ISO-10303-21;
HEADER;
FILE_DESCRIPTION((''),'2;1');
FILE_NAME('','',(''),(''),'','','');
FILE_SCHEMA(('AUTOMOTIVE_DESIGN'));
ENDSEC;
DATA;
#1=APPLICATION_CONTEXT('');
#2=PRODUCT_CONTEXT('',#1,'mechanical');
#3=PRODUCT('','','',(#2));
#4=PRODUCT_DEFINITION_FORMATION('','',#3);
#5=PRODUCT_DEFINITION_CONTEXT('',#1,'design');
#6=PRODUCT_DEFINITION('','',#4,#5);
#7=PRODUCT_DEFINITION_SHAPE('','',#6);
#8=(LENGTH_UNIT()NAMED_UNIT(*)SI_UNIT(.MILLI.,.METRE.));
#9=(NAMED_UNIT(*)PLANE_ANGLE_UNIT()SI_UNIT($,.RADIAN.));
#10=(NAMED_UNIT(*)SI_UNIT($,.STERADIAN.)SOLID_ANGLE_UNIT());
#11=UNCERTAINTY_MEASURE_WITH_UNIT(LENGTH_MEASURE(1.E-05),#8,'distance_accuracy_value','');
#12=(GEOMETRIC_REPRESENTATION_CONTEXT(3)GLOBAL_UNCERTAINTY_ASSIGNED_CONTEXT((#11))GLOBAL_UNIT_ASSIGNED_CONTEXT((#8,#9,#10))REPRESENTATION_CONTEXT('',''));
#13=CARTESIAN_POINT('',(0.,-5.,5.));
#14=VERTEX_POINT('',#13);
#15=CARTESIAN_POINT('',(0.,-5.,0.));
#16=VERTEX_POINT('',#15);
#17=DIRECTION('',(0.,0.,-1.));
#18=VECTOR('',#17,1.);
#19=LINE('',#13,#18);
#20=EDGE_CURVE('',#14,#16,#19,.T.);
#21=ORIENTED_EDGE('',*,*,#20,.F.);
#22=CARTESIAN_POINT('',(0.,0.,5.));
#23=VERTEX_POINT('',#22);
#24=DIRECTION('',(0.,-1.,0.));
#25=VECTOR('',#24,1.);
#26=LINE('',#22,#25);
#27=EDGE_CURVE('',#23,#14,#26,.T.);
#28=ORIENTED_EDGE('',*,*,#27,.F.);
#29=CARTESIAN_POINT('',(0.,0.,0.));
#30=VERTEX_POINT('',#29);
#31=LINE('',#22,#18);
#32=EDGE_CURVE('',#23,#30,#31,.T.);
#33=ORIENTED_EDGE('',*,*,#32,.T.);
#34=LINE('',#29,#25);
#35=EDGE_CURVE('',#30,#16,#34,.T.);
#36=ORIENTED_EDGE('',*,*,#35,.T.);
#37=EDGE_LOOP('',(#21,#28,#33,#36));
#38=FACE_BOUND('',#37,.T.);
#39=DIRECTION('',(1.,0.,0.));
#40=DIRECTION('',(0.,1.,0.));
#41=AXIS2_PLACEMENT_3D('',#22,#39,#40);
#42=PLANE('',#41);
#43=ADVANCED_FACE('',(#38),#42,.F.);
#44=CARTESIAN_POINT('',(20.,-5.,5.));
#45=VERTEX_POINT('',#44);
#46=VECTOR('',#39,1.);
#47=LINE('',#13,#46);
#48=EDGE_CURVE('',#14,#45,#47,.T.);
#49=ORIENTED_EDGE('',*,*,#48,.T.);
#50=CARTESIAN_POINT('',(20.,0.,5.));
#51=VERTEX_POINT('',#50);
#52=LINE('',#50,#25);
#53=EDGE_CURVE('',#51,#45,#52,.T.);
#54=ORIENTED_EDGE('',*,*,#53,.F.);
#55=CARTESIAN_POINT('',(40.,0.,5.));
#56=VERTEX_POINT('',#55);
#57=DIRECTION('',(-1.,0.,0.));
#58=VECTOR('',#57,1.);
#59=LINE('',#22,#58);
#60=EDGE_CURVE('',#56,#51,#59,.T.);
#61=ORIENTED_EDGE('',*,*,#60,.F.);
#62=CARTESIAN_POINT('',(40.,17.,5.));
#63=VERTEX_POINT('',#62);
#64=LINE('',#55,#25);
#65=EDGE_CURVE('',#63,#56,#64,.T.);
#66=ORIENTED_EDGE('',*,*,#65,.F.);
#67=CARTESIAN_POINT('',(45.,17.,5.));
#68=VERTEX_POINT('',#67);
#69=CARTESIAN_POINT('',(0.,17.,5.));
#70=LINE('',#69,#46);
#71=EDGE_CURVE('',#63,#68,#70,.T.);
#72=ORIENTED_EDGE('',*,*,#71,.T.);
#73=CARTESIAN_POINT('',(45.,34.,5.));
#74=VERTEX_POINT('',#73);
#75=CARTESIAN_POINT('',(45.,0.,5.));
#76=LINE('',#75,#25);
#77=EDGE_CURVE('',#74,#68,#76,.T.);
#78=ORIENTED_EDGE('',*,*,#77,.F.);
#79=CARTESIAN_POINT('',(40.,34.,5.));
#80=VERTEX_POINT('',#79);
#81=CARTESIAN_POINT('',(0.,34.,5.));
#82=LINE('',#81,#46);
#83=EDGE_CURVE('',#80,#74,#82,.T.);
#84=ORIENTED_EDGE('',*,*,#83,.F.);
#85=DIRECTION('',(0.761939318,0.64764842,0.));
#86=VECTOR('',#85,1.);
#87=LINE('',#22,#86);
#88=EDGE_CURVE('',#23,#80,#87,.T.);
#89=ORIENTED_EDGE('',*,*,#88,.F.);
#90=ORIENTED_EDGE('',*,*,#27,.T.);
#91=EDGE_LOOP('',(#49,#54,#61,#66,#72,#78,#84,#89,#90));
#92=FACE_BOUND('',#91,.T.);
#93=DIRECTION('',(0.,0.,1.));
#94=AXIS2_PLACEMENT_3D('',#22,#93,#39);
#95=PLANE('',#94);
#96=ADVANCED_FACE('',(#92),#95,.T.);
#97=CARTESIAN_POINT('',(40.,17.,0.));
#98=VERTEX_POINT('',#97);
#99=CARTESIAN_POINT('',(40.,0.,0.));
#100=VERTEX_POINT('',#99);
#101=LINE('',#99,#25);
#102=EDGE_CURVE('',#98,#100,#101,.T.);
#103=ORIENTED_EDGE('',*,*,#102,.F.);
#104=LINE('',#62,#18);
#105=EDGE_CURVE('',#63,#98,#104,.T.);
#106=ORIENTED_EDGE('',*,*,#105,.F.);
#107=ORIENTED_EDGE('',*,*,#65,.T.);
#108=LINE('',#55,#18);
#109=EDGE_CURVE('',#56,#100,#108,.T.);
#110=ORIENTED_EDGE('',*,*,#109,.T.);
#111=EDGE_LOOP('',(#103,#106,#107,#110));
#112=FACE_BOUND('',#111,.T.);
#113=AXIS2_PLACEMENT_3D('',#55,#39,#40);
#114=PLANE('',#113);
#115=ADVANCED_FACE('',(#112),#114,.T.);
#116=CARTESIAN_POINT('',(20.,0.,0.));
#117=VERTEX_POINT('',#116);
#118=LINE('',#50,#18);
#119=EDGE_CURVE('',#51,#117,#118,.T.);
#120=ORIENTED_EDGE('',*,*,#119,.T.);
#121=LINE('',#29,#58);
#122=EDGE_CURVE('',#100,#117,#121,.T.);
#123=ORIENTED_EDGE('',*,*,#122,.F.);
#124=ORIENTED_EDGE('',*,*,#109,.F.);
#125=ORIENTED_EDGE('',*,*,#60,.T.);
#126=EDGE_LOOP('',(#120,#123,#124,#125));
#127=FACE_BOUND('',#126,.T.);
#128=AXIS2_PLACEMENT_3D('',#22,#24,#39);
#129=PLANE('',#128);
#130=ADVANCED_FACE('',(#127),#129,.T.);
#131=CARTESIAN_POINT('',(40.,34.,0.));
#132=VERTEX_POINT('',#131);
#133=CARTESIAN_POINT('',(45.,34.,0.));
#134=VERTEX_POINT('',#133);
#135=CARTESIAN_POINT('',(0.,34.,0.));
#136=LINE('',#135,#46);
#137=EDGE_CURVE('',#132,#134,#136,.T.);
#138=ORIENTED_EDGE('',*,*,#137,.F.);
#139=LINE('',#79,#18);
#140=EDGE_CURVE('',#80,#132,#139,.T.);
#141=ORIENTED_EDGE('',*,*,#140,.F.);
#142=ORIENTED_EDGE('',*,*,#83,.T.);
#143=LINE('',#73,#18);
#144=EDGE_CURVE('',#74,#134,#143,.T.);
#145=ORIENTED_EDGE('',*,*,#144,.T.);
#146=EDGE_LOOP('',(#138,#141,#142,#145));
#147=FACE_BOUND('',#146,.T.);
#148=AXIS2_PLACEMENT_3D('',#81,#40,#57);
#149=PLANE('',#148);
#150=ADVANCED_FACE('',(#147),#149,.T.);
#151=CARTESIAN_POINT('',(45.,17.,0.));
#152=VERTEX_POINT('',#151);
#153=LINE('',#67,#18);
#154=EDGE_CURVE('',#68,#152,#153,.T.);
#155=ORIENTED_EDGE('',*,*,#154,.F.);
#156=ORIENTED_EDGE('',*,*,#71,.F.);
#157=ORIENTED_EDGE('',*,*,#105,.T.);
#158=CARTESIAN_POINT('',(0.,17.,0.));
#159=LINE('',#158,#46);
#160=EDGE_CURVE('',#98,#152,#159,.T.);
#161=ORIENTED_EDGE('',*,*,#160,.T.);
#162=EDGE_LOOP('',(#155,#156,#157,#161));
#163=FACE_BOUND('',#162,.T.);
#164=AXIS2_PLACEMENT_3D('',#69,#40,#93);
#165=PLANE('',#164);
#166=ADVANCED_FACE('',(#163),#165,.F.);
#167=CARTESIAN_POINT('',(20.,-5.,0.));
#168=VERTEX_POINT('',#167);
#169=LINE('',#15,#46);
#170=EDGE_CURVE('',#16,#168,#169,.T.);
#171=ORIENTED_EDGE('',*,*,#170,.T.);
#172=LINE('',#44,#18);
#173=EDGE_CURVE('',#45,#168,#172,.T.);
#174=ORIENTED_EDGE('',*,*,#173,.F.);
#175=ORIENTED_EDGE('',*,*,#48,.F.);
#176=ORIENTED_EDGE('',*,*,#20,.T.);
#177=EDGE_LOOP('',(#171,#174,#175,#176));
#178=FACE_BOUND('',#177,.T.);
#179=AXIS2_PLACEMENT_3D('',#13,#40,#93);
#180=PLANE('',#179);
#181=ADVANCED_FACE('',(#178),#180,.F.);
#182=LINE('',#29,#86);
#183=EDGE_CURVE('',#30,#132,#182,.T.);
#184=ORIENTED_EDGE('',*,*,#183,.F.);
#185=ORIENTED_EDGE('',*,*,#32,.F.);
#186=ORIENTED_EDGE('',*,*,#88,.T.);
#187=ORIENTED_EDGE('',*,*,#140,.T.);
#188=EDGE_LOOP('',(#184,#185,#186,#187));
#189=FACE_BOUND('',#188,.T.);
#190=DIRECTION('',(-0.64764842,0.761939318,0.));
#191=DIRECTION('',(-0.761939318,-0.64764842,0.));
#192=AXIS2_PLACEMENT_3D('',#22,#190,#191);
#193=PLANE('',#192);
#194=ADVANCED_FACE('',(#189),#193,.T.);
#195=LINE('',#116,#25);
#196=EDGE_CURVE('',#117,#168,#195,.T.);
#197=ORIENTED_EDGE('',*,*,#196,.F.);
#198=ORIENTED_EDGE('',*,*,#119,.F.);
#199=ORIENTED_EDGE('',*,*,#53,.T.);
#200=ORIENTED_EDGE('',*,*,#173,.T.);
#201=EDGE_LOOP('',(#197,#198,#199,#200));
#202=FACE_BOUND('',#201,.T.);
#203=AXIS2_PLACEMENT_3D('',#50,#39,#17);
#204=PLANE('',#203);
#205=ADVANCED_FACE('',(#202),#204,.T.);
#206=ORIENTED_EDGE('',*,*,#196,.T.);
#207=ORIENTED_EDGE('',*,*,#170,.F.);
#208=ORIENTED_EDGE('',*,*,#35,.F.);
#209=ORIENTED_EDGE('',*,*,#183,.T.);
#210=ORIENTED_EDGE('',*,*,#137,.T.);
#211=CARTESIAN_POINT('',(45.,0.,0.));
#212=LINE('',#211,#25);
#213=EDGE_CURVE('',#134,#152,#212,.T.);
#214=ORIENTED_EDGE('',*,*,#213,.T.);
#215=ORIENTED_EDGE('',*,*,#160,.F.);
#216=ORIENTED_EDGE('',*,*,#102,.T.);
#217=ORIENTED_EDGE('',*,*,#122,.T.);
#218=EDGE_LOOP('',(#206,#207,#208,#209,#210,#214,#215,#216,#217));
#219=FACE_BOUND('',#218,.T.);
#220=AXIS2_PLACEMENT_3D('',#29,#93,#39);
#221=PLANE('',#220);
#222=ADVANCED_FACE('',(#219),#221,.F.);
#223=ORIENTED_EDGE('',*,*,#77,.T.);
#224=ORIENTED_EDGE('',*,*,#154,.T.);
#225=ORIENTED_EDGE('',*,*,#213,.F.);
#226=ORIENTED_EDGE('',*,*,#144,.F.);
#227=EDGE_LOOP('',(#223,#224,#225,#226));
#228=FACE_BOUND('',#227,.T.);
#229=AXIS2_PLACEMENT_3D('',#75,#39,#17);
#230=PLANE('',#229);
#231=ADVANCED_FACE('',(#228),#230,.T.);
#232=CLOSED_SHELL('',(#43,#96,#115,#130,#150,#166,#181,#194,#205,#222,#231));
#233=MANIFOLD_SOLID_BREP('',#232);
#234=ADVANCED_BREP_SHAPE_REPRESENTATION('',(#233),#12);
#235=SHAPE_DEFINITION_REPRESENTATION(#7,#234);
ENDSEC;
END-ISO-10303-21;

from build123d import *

# Parameters (mm, degrees)
CROQUIS1_W              = 5
CROQUIS1_H              = 17
CROQUIS1_W_2            = 20
CROQUIS1_H_2            = 5
SALIENTE_EXTRUIR1_DEPTH = 5


with BuildPart() as part:
    # Croquis1 → Saliente-Extruir1 (new body)
    with BuildSketch(Plane.XY):
        with Locations((42.5, 25.5)):
            Rectangle(CROQUIS1_W, CROQUIS1_H)
        Polygon((40, 0), (0, 0), (40, 34), align=None)
        with Locations((10, -2.5)):
            Rectangle(CROQUIS1_W_2, CROQUIS1_H_2)
    extrude(amount=SALIENTE_EXTRUIR1_DEPTH)


solid = part.part
